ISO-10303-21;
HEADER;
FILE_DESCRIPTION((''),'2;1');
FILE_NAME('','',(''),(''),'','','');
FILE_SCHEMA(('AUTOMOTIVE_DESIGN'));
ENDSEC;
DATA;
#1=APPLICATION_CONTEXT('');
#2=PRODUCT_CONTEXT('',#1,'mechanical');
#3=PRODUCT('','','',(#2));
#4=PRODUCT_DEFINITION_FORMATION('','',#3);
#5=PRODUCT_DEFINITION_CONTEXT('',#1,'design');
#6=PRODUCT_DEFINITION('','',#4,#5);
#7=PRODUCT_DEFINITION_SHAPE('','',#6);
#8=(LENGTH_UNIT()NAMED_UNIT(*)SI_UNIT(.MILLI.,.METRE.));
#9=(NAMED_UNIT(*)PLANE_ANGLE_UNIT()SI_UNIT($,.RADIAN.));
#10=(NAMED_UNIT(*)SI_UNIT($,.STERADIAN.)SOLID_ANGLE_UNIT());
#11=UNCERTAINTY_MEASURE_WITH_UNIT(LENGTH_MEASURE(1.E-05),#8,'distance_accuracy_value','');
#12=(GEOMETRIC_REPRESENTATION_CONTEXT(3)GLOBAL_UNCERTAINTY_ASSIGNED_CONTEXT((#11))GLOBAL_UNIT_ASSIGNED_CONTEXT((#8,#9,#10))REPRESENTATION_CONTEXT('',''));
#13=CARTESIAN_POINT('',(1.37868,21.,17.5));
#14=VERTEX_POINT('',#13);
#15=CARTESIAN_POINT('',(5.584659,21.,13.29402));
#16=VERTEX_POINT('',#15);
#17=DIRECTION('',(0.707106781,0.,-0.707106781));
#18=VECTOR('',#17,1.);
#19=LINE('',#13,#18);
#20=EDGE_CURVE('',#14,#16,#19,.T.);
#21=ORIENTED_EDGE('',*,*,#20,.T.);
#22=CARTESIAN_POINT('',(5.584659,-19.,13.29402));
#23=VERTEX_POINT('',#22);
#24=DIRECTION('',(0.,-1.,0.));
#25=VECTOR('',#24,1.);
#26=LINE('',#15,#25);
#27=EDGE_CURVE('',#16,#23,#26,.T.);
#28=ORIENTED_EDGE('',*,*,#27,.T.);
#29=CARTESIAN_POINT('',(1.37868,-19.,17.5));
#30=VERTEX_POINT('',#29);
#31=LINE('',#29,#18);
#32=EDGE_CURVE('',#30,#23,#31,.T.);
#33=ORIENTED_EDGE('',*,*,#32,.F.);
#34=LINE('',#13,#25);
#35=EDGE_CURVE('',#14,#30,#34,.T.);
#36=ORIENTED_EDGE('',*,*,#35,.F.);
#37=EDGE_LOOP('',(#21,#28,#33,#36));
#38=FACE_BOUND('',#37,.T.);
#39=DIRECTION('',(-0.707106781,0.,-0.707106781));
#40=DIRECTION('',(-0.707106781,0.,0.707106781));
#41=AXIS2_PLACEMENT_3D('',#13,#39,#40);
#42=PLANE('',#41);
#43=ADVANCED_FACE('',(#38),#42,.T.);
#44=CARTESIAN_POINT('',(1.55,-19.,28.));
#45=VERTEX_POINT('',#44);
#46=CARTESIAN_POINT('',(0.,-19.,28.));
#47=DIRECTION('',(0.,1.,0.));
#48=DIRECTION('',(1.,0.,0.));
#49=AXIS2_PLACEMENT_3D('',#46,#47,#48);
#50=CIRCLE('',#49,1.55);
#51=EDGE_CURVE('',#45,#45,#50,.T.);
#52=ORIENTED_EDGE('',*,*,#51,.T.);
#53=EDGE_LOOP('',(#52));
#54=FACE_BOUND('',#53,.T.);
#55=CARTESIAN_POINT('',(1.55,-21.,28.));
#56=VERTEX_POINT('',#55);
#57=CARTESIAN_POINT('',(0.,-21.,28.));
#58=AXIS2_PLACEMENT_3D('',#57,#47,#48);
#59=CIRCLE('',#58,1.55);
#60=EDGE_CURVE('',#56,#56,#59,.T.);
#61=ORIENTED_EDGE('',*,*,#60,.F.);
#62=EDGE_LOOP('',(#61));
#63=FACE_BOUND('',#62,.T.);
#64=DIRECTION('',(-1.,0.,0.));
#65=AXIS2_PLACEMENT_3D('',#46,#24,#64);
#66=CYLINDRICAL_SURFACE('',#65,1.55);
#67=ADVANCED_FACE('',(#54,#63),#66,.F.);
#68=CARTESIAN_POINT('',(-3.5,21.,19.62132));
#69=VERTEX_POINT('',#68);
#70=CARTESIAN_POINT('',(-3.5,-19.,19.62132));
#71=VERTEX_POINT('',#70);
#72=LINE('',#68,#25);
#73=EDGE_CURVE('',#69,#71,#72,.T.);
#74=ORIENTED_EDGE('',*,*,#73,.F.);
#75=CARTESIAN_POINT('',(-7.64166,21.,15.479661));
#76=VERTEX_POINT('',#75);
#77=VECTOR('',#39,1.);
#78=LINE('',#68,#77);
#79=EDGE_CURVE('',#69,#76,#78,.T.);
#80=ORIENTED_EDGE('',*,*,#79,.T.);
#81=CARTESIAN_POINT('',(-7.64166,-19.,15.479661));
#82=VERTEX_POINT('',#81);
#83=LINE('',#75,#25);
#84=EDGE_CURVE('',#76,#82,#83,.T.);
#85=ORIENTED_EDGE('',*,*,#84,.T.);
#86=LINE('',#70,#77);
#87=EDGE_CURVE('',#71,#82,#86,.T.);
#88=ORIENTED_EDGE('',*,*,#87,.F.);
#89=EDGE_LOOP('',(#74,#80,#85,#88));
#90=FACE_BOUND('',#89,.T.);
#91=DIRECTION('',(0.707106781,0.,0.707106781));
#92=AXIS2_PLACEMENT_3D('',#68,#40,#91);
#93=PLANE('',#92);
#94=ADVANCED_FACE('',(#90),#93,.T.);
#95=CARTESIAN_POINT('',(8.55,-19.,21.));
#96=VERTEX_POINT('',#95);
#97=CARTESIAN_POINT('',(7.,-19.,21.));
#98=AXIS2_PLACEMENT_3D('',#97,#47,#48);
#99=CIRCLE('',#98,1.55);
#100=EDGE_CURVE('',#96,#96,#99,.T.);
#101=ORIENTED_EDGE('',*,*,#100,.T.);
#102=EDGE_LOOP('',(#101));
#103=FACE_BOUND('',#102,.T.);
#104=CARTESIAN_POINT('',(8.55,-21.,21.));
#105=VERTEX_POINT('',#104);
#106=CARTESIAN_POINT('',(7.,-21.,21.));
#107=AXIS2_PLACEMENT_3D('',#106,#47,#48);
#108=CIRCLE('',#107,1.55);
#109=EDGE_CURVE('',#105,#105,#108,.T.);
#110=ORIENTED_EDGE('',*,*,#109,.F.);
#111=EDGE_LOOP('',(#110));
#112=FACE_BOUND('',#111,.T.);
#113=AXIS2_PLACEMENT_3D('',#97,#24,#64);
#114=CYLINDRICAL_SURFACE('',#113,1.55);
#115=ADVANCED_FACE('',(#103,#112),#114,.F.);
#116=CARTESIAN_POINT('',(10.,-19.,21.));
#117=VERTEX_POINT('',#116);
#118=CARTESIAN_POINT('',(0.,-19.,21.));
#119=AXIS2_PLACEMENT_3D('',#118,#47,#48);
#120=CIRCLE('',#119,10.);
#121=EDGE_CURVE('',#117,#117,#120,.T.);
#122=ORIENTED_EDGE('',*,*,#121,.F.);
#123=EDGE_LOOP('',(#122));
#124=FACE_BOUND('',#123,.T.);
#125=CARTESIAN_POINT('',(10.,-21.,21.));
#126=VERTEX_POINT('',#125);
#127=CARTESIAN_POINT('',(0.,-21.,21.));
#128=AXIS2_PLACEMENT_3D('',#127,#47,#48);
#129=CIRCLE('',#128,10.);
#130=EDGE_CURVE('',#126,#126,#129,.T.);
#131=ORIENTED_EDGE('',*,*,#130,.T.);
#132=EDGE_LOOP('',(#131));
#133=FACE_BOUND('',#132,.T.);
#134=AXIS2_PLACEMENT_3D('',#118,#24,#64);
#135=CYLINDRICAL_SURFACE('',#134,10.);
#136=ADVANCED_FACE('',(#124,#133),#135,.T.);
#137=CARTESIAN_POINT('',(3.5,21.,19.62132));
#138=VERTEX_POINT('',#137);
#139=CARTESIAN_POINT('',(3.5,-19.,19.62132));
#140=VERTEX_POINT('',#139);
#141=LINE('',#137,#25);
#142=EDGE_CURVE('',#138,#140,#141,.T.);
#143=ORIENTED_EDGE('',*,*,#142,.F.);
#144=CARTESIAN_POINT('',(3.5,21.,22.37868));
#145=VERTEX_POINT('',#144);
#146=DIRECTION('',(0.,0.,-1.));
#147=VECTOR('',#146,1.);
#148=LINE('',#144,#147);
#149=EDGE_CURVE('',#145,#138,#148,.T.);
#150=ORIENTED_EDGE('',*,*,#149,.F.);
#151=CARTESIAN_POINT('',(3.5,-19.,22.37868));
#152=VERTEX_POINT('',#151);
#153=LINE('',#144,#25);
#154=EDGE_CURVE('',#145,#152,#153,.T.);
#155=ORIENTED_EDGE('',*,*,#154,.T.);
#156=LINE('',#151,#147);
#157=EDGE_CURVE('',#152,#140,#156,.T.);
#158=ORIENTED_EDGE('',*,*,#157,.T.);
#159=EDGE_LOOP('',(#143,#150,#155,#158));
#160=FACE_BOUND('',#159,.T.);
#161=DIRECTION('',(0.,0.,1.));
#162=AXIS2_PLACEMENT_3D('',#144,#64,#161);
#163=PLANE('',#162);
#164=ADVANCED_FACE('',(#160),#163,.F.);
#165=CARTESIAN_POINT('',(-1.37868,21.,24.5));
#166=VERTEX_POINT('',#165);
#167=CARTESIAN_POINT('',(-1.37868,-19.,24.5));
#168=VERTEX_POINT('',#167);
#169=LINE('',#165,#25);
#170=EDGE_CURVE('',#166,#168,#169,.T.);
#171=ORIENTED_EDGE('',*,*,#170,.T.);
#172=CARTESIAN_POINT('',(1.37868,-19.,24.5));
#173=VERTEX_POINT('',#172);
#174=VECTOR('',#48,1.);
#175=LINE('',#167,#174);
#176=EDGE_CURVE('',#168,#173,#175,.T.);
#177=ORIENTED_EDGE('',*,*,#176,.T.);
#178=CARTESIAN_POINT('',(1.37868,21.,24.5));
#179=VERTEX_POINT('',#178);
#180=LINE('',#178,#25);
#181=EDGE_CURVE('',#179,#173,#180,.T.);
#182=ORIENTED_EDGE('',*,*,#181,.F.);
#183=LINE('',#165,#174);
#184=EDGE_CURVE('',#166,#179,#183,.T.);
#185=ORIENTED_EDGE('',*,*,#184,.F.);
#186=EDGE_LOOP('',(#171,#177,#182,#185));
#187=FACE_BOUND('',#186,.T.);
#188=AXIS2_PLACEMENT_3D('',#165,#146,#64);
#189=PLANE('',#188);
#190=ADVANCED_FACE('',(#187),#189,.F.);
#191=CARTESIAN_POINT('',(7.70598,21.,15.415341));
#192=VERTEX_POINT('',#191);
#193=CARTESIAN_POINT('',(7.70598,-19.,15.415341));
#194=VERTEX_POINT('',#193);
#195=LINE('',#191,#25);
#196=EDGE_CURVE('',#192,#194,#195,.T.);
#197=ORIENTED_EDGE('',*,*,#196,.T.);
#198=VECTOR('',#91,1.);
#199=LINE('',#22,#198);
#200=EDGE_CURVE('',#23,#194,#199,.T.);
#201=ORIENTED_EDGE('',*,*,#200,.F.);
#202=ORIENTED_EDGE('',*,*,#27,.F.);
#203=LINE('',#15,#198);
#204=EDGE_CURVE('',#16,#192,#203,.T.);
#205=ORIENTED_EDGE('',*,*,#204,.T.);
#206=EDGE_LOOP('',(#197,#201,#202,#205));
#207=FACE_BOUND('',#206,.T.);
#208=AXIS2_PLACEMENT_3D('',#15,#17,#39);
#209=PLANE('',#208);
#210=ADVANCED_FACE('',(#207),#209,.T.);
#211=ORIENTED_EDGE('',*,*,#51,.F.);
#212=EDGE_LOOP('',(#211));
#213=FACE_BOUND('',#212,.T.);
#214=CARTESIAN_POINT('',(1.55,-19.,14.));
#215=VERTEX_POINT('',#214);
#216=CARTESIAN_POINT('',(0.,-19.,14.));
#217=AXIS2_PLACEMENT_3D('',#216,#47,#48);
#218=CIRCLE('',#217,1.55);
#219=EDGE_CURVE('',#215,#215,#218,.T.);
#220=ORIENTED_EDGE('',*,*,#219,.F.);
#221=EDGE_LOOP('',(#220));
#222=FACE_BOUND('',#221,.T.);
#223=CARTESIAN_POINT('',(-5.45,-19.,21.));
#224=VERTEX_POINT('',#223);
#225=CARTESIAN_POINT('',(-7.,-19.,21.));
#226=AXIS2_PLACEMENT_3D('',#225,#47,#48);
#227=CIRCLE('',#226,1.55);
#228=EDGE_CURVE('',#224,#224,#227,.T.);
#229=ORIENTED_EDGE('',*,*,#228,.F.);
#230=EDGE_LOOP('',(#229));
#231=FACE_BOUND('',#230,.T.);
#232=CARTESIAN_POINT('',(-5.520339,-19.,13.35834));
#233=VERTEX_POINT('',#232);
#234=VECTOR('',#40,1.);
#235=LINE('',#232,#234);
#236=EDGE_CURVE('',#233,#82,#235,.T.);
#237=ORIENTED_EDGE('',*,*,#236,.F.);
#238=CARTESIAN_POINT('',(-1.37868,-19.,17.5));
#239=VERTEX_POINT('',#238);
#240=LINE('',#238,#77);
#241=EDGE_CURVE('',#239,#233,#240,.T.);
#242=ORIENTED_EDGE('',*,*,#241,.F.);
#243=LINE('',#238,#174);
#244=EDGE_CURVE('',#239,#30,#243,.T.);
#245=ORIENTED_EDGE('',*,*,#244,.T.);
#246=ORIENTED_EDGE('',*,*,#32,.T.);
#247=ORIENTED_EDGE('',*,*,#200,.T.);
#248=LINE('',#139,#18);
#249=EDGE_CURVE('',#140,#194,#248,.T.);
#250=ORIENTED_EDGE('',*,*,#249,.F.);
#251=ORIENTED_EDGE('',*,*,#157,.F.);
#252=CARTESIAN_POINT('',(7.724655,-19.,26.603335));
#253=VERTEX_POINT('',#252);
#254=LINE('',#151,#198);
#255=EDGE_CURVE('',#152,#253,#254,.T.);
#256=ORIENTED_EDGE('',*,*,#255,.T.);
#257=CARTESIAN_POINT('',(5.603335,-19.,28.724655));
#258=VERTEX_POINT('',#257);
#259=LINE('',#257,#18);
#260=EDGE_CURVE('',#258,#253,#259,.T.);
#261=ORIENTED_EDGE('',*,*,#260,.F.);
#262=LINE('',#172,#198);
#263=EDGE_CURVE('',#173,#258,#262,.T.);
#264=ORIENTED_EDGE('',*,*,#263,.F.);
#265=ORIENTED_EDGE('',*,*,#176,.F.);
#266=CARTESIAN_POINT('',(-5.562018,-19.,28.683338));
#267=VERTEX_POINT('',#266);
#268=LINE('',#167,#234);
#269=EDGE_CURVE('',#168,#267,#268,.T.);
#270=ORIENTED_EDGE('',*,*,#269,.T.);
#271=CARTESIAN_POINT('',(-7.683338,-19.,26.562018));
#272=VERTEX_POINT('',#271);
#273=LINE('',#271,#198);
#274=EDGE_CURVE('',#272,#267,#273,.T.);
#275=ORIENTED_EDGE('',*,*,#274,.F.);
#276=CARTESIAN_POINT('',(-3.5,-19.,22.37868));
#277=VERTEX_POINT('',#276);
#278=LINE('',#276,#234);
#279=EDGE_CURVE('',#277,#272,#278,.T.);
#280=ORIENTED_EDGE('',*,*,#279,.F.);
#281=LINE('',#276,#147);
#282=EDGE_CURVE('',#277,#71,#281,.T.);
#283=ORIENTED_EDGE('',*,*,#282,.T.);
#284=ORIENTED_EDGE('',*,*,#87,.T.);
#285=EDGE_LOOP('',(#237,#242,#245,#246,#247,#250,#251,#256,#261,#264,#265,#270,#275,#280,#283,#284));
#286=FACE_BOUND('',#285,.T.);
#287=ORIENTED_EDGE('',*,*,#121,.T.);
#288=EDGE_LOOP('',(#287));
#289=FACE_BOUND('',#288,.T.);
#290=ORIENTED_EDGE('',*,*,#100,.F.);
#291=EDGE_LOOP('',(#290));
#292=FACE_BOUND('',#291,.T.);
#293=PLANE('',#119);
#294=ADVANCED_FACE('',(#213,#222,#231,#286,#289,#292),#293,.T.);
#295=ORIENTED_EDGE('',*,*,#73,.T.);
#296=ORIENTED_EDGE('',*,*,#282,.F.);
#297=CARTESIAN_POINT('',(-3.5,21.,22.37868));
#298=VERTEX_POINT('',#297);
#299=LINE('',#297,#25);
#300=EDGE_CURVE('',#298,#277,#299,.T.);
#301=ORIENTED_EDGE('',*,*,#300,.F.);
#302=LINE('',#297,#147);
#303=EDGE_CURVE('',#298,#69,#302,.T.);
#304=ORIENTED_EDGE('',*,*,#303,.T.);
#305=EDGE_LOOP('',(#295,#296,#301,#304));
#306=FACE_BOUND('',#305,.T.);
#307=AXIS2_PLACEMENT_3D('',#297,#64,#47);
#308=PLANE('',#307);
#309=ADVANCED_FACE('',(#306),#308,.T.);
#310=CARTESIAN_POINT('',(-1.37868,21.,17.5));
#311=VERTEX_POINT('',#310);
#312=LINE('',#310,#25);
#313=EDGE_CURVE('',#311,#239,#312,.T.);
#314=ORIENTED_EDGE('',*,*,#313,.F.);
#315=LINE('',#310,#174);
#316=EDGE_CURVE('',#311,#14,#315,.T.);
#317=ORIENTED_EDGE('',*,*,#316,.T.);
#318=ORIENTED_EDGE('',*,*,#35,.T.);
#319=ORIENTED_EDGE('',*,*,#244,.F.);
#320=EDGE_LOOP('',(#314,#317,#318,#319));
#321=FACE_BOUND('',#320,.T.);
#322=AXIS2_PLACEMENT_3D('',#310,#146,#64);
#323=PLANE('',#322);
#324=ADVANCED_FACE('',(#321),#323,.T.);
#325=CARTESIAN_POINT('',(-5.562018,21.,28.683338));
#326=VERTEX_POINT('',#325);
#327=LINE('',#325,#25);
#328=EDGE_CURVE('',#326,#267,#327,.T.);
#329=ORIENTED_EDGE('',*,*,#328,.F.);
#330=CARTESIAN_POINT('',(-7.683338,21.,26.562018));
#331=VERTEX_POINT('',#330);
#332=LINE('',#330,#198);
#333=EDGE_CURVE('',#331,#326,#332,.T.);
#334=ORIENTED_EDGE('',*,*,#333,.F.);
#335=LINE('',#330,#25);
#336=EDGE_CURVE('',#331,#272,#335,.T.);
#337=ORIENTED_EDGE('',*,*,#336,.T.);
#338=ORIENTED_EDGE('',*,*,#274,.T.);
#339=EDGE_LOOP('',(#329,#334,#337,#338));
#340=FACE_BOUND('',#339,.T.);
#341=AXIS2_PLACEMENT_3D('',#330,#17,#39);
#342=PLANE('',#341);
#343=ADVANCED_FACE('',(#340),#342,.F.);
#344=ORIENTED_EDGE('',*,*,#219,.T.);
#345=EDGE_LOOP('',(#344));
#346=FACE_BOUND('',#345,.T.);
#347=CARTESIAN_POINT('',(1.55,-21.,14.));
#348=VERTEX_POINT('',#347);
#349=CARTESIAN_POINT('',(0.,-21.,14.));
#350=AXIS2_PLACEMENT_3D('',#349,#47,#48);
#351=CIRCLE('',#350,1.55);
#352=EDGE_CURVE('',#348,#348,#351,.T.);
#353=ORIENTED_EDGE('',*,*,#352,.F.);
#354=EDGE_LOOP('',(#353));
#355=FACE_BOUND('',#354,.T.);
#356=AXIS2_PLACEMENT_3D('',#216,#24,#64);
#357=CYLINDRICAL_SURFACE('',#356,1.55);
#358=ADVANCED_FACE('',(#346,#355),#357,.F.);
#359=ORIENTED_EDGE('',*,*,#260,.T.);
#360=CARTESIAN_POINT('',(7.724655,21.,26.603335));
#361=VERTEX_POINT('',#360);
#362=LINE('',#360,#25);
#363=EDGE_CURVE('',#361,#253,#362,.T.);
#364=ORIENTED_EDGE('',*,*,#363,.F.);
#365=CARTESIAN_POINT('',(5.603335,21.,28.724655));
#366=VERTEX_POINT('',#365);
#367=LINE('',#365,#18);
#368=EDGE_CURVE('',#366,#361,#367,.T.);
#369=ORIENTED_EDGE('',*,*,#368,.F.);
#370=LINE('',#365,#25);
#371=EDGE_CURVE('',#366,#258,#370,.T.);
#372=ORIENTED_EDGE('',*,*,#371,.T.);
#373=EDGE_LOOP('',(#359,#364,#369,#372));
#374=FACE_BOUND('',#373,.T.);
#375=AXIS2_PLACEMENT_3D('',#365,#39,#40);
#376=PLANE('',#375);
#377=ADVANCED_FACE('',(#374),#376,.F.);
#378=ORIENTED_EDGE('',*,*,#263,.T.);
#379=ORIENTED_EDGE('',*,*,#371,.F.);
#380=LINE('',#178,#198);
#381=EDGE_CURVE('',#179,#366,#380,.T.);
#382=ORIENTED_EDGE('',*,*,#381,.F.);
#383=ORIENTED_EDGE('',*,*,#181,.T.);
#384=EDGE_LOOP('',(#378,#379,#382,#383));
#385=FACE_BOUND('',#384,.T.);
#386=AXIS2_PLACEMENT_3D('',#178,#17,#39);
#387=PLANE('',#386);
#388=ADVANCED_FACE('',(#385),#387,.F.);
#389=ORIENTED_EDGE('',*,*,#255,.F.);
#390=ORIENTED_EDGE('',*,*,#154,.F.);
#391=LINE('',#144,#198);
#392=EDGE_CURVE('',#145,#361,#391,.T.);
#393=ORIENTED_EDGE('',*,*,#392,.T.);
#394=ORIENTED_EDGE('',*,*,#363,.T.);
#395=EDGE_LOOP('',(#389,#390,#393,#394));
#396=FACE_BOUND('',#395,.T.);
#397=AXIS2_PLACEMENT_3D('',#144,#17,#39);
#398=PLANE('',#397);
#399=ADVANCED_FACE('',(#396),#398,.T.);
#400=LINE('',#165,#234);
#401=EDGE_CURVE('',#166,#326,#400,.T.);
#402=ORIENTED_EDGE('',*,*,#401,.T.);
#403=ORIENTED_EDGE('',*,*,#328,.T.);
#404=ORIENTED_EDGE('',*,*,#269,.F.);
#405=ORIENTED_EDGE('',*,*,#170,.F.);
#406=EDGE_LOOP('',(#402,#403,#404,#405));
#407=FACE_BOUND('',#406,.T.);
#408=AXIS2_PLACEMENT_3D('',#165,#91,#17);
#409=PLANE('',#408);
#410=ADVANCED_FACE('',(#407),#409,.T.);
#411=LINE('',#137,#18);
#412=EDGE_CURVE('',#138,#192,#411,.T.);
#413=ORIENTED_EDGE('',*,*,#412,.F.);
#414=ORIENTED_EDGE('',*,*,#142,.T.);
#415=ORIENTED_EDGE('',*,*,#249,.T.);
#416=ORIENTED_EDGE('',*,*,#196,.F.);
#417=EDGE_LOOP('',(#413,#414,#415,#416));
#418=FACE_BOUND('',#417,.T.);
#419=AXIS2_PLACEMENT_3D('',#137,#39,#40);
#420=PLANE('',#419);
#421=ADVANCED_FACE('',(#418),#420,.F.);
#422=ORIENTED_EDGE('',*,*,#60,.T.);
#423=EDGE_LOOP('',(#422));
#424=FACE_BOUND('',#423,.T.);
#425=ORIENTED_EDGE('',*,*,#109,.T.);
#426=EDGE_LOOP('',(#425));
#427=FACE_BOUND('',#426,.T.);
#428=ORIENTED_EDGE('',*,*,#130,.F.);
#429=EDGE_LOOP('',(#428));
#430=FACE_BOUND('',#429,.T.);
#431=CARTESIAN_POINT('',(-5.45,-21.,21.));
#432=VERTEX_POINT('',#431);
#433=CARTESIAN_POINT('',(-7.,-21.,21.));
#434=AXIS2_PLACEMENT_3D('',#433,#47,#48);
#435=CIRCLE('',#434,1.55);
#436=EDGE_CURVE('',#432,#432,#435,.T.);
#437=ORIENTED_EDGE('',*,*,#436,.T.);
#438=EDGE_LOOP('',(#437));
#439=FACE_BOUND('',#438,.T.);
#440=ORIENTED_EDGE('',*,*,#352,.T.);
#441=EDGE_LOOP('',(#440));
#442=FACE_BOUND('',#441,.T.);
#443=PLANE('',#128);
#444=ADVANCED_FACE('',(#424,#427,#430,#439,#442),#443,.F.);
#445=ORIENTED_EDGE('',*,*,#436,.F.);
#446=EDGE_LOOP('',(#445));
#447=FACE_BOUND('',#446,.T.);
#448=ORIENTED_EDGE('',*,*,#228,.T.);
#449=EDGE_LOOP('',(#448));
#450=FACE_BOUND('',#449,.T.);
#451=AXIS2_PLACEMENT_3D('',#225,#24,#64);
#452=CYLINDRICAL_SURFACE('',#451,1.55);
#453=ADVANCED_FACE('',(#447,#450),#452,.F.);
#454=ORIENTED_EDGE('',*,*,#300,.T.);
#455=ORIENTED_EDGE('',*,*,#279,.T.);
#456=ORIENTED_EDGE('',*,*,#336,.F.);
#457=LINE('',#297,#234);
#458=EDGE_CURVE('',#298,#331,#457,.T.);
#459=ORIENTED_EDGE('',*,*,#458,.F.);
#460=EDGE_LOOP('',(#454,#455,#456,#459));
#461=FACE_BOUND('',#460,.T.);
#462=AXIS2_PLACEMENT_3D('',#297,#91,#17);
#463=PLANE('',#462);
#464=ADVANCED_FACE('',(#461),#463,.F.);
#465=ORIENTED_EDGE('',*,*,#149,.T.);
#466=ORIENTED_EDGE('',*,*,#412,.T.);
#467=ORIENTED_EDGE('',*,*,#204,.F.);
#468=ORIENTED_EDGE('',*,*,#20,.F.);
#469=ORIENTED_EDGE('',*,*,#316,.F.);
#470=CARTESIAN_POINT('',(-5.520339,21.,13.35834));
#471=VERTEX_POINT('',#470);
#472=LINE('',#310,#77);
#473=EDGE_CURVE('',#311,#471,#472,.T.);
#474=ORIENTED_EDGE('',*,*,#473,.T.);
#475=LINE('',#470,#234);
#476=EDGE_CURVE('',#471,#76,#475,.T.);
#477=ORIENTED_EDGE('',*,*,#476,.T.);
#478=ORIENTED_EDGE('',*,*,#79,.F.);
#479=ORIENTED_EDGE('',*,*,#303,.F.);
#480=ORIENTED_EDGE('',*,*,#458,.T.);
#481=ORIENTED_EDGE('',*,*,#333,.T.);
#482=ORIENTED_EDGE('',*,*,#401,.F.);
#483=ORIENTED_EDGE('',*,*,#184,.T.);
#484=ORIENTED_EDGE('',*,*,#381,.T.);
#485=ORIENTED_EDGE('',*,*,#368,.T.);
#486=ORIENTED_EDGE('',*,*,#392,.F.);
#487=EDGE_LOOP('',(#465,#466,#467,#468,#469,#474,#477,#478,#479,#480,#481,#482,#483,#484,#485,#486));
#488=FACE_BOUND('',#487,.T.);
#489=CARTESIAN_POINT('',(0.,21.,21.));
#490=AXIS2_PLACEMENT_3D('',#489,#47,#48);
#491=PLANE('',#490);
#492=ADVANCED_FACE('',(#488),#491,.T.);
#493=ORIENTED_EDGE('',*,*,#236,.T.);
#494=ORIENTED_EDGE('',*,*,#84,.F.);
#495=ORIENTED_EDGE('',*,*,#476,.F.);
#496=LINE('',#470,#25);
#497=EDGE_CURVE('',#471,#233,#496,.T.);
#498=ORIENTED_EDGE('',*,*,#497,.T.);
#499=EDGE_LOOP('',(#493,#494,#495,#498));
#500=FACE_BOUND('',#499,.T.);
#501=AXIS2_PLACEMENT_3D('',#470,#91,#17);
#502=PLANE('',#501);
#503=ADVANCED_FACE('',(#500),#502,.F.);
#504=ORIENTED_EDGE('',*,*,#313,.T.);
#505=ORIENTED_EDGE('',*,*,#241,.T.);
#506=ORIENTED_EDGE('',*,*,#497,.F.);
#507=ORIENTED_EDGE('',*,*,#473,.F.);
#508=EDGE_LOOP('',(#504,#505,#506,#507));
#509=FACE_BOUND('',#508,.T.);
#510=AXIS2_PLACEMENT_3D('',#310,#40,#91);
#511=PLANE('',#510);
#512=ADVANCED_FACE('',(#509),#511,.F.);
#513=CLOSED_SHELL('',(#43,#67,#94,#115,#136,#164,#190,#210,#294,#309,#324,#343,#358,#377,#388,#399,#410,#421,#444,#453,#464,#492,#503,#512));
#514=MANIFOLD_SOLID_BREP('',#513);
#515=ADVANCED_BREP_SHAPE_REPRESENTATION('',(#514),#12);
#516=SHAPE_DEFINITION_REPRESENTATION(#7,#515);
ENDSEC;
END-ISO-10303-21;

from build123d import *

# Parameters (mm, degrees)
SKETCH1_R             = 10
SKETCH1_R_2           = 1.55
BOSS_EXTRUDE1_DEPTH   = 2
BOSS_EXTRUDE2_DEPTH   = 40
BODY_MOVE_COPY1_ANGLE = 90


with BuildPart() as part:
    # Sketch1 → Boss-Extrude1 (new body)
    with BuildSketch(Plane.XY):
        Circle(SKETCH1_R)
        with Locations((-7, 0)):
            Circle(SKETCH1_R_2, mode=Mode.SUBTRACT)
        with Locations((0, 7)):
            Circle(SKETCH1_R_2, mode=Mode.SUBTRACT)
        with Locations((0, -7)):
            Circle(SKETCH1_R_2, mode=Mode.SUBTRACT)
        with Locations((7, 0)):
            Circle(SKETCH1_R_2, mode=Mode.SUBTRACT)
    extrude(amount=BOSS_EXTRUDE1_DEPTH)

    # Sketch2 → Boss-Extrude2 (add)
    with BuildSketch(Plane.XY.offset(2)):
        Polygon((-1.378679656, -3.5), (1.378679656, -3.5), (5.603334512, -7.724654855), (7.724654855, -5.603334512), (3.5, -1.378679656), (3.5, 1.378679656), (7.705979833, 5.584659489), (5.584659489, 7.705979833), (1.378679656, 3.5), (-1.378679656, 3.5), (-5.520339389, 7.641659733), (-7.641659733, 5.520339389), (-3.5, 1.378679656), (-3.5, -1.378679656), (-7.683338011, -5.562017667), (-5.562017667, -7.683338011), align=None)
    extrude(amount=BOSS_EXTRUDE2_DEPTH)


with BuildPart() as part_1:
    # Body-Move/Copy1: moved
    add(part.part.rotate(Axis((0, 0, 21), (-1, 0, 0)), BODY_MOVE_COPY1_ANGLE))


solid = part_1.part
